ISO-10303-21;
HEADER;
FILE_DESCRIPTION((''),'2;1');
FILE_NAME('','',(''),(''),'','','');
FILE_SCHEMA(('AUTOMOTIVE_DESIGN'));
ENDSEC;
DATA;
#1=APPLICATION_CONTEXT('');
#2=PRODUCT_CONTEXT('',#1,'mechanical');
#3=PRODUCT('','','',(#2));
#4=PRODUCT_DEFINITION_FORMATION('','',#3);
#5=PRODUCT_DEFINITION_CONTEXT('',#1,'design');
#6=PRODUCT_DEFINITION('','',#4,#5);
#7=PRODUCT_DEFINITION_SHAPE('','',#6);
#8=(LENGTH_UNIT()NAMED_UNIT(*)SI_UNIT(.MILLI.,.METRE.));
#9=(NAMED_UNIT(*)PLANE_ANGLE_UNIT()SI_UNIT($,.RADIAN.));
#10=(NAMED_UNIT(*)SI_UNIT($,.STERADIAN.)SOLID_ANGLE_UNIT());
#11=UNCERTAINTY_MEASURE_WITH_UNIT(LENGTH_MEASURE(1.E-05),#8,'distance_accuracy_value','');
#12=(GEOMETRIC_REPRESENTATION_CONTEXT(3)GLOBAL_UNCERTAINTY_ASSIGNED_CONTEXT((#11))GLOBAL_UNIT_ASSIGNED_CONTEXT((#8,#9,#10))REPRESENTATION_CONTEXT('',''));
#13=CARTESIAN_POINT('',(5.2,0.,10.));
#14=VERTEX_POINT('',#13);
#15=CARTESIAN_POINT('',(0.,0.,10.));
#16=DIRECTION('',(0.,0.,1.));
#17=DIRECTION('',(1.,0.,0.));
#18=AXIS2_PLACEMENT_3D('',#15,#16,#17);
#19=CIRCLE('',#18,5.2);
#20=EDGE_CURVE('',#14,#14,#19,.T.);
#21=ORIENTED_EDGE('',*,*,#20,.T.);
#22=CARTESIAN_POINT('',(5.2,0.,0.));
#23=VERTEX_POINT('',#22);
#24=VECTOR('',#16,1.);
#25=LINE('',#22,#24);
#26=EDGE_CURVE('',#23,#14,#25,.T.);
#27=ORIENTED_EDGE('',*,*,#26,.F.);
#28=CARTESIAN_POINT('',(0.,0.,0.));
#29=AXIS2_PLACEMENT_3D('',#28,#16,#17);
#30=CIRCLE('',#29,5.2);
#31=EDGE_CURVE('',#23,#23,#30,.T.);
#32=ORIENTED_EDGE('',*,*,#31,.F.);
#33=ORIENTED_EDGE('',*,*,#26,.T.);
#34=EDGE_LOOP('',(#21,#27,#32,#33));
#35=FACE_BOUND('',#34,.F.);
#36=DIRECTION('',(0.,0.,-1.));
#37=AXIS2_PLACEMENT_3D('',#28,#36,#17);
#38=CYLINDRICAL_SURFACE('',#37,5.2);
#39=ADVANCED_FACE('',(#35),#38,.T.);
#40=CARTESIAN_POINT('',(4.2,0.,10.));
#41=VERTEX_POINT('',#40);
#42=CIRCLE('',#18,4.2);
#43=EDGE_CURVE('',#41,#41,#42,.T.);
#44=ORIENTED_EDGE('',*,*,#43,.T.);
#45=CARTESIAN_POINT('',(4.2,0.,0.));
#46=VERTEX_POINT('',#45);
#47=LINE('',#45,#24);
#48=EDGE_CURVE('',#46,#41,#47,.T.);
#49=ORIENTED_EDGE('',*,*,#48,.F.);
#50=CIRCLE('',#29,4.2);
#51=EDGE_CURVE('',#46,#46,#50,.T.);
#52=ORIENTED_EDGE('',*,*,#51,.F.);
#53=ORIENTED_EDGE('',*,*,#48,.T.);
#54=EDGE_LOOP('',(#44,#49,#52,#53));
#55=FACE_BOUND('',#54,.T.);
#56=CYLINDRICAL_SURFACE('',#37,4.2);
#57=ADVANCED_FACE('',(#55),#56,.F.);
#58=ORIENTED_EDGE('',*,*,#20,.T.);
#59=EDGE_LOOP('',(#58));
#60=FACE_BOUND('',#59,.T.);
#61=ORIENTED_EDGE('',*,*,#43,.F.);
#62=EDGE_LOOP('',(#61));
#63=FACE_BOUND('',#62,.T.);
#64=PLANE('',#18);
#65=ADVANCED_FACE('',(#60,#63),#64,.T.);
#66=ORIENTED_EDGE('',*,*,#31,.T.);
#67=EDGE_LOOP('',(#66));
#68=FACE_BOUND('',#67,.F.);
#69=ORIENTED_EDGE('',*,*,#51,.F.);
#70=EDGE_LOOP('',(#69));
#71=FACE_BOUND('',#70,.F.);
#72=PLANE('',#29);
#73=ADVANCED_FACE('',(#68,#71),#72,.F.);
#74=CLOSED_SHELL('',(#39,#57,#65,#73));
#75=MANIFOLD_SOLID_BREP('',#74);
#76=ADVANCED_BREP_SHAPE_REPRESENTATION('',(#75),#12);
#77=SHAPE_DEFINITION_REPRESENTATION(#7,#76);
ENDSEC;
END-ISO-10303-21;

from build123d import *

# Parameters (mm, degrees)
CYLINDER_R        = 5.2
CYLINDER_DEPTH    = 10
CYLINDER001_R     = 4.2
CYLINDER001_DEPTH = 10


with BuildPart() as part:
    # Cylinder → Cylinder (join)
    with BuildSketch(Plane.XY):
        Circle(CYLINDER_R)
    extrude(amount=CYLINDER_DEPTH)

    # Cylinder001 → Cylinder001 (cut)
    with BuildSketch(Plane.XY):
        Circle(CYLINDER001_R)
    extrude(amount=CYLINDER001_DEPTH, mode=Mode.SUBTRACT)


solid = part.part
